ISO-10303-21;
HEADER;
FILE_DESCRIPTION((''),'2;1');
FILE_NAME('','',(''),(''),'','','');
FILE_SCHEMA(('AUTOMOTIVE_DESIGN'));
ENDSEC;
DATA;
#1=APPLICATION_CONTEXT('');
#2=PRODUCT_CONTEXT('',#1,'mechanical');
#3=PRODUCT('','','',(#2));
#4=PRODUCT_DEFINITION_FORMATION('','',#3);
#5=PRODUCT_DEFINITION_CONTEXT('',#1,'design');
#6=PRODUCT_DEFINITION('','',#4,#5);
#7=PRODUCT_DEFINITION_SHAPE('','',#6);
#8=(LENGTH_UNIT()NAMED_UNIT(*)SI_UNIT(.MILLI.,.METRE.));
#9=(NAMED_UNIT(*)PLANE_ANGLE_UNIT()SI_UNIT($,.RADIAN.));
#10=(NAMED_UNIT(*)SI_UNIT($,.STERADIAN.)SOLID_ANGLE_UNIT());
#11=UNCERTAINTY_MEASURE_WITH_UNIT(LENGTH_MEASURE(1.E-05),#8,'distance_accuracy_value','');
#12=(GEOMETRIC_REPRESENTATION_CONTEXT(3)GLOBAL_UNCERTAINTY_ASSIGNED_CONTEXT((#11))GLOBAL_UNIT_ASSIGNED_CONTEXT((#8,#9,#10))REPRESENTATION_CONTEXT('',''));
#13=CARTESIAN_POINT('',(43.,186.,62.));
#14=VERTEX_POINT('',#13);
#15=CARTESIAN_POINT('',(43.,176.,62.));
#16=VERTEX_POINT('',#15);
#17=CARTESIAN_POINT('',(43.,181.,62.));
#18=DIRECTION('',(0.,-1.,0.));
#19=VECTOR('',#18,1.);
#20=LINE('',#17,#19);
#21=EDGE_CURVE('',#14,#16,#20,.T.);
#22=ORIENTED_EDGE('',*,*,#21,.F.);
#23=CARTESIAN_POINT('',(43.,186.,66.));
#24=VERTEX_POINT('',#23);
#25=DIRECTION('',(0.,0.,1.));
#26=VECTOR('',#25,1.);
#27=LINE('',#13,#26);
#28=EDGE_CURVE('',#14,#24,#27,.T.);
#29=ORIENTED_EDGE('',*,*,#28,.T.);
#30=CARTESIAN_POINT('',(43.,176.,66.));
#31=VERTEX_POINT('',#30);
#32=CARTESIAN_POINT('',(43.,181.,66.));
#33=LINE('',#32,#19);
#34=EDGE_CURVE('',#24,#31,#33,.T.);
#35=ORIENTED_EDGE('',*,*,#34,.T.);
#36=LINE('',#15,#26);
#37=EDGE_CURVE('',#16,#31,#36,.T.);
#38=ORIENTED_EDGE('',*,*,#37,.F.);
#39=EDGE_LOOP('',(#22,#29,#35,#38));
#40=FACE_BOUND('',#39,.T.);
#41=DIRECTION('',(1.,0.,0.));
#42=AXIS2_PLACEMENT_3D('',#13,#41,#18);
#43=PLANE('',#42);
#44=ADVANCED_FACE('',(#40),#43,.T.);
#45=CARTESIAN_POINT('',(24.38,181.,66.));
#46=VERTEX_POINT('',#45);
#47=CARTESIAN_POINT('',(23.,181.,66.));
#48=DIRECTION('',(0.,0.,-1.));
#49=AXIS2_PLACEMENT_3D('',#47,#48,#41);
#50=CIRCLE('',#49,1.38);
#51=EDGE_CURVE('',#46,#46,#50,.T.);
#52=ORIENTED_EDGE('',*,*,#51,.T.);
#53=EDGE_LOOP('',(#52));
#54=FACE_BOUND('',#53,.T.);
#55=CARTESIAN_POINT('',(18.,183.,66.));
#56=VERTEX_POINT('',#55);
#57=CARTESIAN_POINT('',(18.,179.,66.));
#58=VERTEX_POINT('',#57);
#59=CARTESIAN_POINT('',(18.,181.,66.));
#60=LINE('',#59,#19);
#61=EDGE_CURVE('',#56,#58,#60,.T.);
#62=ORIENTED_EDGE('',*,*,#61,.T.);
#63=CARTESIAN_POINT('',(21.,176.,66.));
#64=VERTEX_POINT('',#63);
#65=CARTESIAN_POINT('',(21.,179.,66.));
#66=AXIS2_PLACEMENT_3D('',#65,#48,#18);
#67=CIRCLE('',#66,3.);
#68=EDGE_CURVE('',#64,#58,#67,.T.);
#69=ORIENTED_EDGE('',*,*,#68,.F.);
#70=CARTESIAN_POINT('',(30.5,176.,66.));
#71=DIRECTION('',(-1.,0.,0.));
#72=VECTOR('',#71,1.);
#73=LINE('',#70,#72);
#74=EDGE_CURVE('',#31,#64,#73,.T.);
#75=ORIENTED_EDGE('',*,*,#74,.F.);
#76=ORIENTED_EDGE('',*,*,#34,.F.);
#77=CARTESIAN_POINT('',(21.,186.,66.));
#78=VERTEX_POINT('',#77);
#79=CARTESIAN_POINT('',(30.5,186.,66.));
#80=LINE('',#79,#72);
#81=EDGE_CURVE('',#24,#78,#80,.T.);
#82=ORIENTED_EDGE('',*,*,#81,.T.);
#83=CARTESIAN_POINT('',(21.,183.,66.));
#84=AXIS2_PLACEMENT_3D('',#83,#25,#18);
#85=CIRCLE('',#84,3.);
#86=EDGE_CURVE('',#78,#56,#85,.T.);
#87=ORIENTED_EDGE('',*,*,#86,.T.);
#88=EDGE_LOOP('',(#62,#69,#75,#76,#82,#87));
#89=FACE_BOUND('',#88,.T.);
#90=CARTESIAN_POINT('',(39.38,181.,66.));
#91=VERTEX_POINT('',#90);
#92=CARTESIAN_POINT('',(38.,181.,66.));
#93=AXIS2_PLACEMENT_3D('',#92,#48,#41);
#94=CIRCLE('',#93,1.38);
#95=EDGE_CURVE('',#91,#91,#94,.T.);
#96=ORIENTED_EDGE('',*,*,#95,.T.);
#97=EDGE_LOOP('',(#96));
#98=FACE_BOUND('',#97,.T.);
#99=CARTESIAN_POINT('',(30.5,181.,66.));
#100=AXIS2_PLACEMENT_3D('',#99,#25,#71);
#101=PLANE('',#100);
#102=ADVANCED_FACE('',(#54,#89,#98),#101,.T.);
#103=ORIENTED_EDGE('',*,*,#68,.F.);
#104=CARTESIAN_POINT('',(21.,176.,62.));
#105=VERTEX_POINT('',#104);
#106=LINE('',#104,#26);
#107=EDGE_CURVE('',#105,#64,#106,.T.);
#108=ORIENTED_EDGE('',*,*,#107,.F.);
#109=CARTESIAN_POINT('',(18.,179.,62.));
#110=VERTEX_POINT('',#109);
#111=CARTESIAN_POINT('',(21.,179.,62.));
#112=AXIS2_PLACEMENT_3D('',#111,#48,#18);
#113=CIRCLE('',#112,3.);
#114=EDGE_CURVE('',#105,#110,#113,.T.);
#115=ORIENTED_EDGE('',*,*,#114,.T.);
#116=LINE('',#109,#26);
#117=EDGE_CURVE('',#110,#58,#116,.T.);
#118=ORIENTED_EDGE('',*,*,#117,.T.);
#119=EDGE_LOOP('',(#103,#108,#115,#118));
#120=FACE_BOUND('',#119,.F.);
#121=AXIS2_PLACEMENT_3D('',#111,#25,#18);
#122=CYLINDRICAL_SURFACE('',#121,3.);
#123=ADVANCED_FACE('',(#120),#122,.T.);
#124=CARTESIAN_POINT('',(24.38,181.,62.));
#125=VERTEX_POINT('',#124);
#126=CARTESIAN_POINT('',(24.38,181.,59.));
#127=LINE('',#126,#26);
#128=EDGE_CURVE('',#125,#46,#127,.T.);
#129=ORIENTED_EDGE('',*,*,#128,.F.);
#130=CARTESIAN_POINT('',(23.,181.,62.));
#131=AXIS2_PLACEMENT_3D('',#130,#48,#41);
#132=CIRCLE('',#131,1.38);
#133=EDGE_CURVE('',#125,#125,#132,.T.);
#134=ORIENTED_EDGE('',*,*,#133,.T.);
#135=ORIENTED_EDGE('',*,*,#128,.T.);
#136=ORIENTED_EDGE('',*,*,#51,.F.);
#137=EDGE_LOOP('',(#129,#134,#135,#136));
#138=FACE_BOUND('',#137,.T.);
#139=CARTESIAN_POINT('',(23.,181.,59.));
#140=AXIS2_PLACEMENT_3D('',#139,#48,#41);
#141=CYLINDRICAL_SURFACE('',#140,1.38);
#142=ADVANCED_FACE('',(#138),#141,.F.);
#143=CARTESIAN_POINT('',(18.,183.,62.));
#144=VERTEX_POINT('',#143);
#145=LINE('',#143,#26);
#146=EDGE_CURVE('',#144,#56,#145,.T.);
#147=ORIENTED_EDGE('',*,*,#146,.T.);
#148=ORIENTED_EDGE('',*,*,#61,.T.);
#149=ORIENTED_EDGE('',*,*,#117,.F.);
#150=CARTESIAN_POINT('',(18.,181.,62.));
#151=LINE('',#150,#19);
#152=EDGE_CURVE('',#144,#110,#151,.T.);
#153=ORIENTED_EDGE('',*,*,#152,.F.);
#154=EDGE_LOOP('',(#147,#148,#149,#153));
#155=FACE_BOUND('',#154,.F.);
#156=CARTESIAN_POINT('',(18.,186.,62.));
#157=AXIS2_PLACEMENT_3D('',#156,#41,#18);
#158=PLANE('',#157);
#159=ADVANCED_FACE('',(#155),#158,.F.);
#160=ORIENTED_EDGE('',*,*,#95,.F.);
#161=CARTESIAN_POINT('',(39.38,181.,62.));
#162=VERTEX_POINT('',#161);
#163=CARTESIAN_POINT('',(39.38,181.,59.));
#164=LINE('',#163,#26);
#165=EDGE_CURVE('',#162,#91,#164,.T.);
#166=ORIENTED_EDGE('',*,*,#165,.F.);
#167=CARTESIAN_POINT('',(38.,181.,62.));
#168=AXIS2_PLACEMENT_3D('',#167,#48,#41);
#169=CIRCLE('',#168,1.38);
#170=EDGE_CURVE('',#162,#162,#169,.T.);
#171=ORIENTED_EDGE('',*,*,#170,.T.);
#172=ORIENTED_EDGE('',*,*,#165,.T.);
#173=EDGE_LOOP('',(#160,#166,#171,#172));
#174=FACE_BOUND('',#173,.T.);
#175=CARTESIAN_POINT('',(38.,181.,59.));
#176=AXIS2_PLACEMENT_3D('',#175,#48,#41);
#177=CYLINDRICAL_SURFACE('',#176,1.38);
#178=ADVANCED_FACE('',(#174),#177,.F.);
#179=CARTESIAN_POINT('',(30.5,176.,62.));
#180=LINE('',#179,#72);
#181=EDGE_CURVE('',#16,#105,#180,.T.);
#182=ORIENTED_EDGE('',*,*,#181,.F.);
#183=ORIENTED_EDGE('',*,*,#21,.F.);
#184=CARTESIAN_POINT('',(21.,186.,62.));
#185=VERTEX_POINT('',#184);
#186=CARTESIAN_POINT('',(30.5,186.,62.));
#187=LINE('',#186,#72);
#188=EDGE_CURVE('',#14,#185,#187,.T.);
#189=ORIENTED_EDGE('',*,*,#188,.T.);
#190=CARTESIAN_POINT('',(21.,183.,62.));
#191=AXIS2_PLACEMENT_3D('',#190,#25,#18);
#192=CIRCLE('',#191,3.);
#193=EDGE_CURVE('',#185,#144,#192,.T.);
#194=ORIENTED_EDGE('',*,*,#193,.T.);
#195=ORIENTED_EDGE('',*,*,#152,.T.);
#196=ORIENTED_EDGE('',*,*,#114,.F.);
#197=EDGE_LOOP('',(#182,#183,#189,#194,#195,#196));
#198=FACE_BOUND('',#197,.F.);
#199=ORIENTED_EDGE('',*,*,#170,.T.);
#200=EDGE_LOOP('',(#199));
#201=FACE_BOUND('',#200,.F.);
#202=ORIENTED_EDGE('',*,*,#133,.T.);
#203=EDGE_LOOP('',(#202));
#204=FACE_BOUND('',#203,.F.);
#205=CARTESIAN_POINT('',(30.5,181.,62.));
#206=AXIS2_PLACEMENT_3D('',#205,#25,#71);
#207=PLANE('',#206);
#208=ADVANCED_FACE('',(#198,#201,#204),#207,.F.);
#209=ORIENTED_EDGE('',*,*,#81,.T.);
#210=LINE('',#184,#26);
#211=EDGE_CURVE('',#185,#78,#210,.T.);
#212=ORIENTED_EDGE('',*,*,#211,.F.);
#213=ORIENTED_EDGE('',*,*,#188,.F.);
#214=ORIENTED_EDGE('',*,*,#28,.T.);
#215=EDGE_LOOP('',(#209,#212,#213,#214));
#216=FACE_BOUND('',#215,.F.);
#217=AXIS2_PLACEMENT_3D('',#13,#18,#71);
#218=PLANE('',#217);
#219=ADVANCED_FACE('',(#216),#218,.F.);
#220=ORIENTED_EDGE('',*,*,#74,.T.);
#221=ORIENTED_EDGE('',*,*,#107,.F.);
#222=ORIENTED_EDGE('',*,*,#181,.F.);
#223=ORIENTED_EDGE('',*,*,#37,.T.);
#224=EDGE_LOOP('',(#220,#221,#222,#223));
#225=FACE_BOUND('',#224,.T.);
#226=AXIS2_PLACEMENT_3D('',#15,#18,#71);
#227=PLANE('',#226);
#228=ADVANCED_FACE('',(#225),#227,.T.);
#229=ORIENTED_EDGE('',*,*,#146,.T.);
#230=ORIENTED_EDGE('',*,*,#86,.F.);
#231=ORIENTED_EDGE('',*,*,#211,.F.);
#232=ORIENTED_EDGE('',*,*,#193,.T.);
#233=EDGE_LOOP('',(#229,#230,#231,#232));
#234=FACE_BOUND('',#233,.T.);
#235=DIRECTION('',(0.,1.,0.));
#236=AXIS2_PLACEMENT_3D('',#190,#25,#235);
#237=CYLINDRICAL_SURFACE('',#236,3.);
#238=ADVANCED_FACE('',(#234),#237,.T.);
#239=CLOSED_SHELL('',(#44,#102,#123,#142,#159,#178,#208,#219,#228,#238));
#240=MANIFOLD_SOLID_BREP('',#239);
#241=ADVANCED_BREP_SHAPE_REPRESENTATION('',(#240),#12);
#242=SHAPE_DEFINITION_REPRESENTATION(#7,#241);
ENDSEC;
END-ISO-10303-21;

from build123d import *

# Parameters (mm, degrees)
CYLINDER061_R     = 1.38
CYLINDER061_DEPTH = 10
CYLINDER055_R     = 1.38
CYLINDER055_DEPTH = 10
BOX031_W          = 25
BOX031_H          = 10
BOX031_DEPTH      = 4
FILLET005_R       = 3


with BuildPart() as cylinder061:
    # Cylinder061 → Cylinder061 (new body)
    with BuildSketch(Plane(origin=(25, 52, 59), x_dir=(1, 0, 0), z_dir=(0, 0, 1))):
        Circle(CYLINDER061_R)
    extrude(amount=CYLINDER061_DEPTH)


with BuildPart() as cylinder055:
    # Cylinder055 → Cylinder055 (new body)
    with BuildSketch(Plane(origin=(40, 52, 59), x_dir=(1, 0, 0), z_dir=(0, 0, 1))):
        Circle(CYLINDER055_R)
    extrude(amount=CYLINDER055_DEPTH)


with BuildPart() as fillet005:
    # Box031 → Box031 (new body)
    with BuildSketch(Plane(origin=(45, 57, 62), x_dir=(-1, 0, 0), z_dir=(0, 0, 1))):
        with Locations((12.5, 5)):
            Rectangle(BOX031_W, BOX031_H)
    extrude(amount=BOX031_DEPTH)

    # Cut040: cut Cylinder055
    add(cylinder055.part, mode=Mode.SUBTRACT)

    # Cut033: cut Cylinder061
    add(cylinder061.part, mode=Mode.SUBTRACT)

    # Fillet005
    fillet005_edges = [fillet005.edges().sort_by_distance(p)[0] for p in [
        (20, 57, 64),
        (20, 47, 64),
    ]]
    fillet(fillet005_edges, radius=FILLET005_R)


with BuildPart() as fillet005_1:
    # Fillet005 placement: moved
    add(fillet005.part.moved(Location((-2, 129, 0))))


solid = fillet005_1.part
